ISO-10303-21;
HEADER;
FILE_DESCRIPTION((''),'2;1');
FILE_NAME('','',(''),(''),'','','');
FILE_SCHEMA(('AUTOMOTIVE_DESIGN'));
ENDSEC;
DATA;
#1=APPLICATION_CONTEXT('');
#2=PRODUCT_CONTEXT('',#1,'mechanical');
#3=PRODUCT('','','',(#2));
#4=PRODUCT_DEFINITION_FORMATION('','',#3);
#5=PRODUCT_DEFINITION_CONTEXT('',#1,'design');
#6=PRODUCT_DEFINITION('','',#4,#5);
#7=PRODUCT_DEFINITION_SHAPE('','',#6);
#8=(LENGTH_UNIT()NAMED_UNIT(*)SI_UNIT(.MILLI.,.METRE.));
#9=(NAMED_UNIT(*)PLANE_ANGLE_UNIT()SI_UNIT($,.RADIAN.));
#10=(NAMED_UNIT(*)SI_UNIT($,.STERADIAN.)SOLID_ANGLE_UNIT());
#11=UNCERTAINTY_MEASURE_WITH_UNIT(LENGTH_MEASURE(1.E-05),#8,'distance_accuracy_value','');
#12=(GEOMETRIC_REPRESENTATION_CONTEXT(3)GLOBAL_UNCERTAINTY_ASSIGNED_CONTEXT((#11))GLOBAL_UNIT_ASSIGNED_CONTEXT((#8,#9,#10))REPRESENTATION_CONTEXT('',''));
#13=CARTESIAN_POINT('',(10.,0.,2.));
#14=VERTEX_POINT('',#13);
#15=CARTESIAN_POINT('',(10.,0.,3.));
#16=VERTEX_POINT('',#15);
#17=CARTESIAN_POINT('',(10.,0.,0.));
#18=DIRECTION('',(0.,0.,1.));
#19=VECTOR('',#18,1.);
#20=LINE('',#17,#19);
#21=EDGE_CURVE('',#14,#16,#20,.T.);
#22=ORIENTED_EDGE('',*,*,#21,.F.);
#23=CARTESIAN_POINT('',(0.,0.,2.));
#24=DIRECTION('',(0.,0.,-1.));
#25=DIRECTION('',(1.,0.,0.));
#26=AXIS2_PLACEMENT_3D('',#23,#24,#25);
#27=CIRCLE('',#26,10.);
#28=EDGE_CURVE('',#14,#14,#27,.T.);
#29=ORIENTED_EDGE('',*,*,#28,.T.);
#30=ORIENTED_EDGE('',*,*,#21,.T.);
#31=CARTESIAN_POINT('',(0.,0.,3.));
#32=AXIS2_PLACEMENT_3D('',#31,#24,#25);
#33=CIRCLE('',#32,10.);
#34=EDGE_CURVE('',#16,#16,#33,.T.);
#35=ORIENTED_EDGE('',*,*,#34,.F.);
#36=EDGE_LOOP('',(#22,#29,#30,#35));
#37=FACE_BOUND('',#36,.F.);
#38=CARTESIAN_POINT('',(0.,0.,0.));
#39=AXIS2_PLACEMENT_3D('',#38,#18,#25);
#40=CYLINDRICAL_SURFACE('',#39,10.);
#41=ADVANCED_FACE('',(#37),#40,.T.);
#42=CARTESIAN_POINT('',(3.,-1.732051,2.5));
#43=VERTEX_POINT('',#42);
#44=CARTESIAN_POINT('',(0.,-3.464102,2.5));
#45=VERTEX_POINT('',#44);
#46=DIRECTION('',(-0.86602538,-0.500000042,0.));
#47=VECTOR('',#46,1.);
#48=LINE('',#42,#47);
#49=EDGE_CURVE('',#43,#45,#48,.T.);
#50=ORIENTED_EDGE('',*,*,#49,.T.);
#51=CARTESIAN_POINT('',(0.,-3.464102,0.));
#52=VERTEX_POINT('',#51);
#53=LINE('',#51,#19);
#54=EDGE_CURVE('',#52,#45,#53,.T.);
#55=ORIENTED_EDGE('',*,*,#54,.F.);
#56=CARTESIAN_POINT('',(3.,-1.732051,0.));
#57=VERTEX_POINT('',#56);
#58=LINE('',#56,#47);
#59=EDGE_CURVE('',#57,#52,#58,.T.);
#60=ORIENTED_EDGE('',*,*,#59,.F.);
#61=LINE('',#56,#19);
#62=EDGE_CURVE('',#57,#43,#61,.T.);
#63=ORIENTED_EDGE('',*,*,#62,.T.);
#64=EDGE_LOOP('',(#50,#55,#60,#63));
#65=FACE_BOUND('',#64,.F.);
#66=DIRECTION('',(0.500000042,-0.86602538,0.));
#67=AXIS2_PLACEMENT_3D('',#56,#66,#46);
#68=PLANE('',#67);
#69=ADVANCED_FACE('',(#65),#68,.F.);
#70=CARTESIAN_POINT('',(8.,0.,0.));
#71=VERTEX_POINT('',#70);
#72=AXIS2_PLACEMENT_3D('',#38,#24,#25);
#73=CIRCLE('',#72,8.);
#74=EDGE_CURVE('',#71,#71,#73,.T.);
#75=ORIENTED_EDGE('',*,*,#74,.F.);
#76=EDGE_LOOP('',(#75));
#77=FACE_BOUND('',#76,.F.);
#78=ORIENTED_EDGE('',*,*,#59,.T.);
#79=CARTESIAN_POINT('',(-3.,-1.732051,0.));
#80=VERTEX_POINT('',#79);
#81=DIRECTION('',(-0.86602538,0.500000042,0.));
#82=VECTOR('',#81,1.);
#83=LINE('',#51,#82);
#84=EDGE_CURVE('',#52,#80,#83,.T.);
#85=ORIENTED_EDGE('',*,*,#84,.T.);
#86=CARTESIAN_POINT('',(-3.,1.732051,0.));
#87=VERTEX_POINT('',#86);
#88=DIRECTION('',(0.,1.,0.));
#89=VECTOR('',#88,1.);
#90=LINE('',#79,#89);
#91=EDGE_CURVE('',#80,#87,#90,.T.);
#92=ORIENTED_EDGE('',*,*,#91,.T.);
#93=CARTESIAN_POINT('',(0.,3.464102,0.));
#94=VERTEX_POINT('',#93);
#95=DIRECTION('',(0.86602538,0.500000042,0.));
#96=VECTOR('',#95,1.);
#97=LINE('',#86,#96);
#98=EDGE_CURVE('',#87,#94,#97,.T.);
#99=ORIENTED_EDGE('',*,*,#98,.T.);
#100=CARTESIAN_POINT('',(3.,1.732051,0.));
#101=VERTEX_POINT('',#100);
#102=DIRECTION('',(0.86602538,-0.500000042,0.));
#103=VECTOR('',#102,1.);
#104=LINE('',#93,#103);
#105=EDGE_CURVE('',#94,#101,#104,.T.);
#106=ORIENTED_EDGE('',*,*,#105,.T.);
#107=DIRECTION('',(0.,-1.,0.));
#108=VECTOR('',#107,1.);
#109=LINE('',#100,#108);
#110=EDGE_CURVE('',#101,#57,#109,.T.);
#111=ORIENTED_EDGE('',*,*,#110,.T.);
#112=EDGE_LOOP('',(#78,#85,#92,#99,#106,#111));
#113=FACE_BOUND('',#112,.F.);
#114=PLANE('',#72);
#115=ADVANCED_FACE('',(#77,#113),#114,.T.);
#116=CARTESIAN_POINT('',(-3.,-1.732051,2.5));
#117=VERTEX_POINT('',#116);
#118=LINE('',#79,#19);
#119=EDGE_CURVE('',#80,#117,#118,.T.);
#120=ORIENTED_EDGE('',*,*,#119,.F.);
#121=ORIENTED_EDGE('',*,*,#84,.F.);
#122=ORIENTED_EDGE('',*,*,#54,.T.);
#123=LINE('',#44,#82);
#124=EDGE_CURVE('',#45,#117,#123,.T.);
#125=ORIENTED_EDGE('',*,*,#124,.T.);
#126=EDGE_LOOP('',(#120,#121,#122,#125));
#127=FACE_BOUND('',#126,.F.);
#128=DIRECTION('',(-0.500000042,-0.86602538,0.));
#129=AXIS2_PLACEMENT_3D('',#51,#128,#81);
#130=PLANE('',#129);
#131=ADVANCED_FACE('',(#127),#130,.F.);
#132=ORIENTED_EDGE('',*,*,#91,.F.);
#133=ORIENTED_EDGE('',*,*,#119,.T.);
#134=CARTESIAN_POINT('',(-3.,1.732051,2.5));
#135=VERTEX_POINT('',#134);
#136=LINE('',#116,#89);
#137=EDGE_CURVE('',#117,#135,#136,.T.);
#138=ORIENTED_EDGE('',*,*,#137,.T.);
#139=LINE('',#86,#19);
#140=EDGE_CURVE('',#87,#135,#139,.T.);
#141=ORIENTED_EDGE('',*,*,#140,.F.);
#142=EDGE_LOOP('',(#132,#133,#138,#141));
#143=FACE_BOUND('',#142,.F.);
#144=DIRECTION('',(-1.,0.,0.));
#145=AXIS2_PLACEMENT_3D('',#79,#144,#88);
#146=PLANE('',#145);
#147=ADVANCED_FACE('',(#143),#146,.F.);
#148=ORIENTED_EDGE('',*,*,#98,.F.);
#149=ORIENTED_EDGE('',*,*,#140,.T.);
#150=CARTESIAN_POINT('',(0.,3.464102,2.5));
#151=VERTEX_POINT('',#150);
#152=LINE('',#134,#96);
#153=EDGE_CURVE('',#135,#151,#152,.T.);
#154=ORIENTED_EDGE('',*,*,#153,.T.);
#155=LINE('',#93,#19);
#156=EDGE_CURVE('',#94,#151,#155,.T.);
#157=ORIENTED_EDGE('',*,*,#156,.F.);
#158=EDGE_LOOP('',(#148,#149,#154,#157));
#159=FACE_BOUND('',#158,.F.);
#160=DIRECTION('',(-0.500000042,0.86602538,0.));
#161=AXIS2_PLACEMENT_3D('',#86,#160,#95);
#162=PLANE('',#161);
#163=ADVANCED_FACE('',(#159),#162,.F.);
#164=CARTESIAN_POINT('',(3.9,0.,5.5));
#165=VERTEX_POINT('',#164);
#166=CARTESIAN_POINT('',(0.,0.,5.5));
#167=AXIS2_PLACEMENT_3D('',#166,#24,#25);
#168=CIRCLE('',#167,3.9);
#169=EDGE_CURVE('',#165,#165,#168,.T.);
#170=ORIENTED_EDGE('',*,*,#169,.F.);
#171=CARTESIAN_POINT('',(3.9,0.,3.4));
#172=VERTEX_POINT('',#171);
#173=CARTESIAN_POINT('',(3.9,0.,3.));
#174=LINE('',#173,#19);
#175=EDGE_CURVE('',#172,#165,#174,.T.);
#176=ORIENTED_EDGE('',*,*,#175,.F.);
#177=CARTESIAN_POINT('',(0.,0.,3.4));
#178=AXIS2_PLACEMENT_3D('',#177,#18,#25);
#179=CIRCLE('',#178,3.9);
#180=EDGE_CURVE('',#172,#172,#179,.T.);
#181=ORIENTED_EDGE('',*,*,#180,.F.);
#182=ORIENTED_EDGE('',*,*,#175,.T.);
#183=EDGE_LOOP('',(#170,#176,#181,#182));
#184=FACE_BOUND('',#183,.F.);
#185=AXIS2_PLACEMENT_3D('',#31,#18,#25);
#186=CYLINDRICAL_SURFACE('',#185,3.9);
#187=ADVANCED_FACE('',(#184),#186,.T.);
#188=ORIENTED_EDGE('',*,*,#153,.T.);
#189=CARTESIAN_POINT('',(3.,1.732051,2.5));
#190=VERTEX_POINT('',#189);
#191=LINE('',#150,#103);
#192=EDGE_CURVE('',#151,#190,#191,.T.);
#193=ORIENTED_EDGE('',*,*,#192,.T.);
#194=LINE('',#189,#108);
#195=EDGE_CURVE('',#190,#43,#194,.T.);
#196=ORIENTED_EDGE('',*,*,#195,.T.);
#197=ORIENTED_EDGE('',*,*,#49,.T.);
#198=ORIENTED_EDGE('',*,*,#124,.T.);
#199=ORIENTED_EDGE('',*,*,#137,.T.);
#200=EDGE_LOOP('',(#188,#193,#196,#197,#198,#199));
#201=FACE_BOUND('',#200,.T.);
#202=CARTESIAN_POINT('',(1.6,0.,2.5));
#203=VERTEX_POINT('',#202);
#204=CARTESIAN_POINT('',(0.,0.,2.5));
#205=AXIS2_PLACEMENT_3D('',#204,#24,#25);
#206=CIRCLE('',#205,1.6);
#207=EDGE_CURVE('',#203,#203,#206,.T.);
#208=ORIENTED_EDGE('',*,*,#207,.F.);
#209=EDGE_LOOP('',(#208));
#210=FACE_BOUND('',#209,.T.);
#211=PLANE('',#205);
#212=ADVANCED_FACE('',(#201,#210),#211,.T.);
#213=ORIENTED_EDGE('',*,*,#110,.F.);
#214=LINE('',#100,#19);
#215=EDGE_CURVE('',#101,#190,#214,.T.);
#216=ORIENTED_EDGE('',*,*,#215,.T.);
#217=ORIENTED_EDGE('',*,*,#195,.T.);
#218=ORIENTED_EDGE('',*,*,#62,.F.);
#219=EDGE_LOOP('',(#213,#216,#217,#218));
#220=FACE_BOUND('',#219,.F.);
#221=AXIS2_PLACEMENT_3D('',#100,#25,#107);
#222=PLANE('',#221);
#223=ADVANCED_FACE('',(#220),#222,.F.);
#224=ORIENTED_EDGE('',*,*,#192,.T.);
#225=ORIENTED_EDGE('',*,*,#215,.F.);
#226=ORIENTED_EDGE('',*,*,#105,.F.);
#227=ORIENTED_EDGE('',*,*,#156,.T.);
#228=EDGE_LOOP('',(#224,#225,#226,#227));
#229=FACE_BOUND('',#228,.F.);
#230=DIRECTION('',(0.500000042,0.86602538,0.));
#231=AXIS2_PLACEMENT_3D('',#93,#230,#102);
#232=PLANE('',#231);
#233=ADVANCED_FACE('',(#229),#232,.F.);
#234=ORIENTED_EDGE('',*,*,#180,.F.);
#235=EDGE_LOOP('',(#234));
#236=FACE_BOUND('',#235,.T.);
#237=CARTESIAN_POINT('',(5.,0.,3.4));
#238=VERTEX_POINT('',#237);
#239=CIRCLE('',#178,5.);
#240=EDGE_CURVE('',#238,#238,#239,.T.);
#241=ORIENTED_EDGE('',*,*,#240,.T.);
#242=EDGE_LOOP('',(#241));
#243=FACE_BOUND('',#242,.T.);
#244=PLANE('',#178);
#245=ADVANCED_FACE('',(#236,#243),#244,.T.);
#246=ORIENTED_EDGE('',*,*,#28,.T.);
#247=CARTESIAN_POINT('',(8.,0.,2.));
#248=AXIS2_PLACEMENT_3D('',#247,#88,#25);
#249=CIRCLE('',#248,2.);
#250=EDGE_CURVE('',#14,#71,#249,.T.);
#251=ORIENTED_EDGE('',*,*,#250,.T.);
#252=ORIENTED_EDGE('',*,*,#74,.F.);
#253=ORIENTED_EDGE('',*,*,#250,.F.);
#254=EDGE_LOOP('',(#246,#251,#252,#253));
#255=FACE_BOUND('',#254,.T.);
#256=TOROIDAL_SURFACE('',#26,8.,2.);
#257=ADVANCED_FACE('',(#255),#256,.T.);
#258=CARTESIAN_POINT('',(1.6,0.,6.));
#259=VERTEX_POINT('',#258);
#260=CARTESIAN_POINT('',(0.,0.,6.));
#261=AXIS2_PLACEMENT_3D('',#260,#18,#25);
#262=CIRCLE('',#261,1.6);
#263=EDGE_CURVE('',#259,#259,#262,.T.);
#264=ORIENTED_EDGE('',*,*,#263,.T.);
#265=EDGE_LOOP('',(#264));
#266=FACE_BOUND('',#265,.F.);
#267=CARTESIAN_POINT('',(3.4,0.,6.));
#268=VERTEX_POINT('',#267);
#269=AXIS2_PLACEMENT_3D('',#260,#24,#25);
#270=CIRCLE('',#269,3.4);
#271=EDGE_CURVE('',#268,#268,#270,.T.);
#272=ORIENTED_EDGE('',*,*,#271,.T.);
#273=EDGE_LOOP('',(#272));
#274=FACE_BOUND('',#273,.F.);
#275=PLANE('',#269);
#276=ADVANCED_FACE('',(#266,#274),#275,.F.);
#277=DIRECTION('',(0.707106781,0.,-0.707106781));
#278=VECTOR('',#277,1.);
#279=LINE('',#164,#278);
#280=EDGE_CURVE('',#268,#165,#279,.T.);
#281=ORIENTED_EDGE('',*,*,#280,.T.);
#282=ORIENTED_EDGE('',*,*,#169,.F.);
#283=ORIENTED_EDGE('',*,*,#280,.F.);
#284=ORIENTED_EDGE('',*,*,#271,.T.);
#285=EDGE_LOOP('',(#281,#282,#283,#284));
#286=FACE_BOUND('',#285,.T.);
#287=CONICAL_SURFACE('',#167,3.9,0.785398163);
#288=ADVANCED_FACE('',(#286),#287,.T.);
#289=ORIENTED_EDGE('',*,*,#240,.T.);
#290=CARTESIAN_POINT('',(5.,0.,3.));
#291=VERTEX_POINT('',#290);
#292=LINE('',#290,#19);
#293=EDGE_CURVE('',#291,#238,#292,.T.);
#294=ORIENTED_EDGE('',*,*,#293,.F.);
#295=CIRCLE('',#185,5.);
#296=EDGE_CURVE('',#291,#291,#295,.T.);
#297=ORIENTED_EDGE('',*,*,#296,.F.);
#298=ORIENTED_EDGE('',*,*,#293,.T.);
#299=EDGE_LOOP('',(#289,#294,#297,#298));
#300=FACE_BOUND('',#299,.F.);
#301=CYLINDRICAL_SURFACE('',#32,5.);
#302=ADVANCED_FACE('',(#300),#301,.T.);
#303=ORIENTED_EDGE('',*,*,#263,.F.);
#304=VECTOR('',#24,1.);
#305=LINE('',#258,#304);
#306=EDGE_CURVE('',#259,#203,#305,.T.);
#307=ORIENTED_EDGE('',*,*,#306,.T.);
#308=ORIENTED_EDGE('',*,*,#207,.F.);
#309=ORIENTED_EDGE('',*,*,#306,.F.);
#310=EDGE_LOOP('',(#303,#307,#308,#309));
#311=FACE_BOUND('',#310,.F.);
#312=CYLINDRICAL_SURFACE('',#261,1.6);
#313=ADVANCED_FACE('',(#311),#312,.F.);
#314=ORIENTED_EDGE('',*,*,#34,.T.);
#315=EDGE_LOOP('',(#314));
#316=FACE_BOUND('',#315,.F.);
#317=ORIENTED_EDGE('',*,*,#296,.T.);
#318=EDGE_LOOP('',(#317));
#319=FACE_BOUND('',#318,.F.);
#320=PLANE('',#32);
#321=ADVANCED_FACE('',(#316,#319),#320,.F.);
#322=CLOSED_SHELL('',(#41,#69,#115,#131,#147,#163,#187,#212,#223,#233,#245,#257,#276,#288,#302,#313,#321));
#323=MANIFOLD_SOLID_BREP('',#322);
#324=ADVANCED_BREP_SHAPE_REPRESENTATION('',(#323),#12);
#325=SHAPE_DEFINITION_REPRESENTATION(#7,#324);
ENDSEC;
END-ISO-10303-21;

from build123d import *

# Parameters (mm, degrees)
F2_SIZE  = 0.5
F3_R     = 5
F3_R_2   = 3.9
F4_DEPTH = 0.4
F5_R     = 2
F6_R     = 1.6
F7_DEPTH = 25
F8_R     = 1.6
F9_DEPTH = 2.5


with BuildPart() as f1:
    # F0 (on Front) → F1 (revolve)
    with BuildSketch(Plane.XZ):
        Polygon((3.9, 6), (0, 6), (0, 0), (10, 0), (10, 3), (3.9, 3), align=None)
    revolve(axis=Axis((0, 0, 3), (0, 0, -1)))

    # F2
    f2_edges = [f1.edges().sort_by_distance(p)[0] for p in [
        (-3.9, 0, 6),
    ]]
    chamfer(f2_edges, length=F2_SIZE)

    # F3 (on face) → F4 (join)
    with BuildSketch(Plane.XY.offset(3)):
        Circle(F3_R)
        Circle(F3_R_2, mode=Mode.SUBTRACT)
    extrude(amount=F4_DEPTH)

    # F5
    f5_edges = [f1.edges().sort_by_distance(p)[0] for p in [
        (-10, 0, 0),
    ]]
    fillet(f5_edges, radius=F5_R)

    # F6 (on face) → F7 (cut)
    with BuildSketch(Plane.XY.offset(6)):
        Circle(F6_R)
    extrude(amount=-F7_DEPTH, mode=Mode.SUBTRACT)

    # F8 (on face) → F9 (cut)
    with BuildSketch(Plane(origin=(0, 0, 0), x_dir=(1, 0, 0), z_dir=(0, 0, -1))):
        Polygon((3, -1.732051), (3, 1.732051), (0, 3.464102), (-3, 1.732051), (-3, -1.732051), (0, -3.464102), align=None)
        Circle(F8_R, mode=Mode.SUBTRACT)
    extrude(amount=-F9_DEPTH, mode=Mode.SUBTRACT)


solid = f1.part
